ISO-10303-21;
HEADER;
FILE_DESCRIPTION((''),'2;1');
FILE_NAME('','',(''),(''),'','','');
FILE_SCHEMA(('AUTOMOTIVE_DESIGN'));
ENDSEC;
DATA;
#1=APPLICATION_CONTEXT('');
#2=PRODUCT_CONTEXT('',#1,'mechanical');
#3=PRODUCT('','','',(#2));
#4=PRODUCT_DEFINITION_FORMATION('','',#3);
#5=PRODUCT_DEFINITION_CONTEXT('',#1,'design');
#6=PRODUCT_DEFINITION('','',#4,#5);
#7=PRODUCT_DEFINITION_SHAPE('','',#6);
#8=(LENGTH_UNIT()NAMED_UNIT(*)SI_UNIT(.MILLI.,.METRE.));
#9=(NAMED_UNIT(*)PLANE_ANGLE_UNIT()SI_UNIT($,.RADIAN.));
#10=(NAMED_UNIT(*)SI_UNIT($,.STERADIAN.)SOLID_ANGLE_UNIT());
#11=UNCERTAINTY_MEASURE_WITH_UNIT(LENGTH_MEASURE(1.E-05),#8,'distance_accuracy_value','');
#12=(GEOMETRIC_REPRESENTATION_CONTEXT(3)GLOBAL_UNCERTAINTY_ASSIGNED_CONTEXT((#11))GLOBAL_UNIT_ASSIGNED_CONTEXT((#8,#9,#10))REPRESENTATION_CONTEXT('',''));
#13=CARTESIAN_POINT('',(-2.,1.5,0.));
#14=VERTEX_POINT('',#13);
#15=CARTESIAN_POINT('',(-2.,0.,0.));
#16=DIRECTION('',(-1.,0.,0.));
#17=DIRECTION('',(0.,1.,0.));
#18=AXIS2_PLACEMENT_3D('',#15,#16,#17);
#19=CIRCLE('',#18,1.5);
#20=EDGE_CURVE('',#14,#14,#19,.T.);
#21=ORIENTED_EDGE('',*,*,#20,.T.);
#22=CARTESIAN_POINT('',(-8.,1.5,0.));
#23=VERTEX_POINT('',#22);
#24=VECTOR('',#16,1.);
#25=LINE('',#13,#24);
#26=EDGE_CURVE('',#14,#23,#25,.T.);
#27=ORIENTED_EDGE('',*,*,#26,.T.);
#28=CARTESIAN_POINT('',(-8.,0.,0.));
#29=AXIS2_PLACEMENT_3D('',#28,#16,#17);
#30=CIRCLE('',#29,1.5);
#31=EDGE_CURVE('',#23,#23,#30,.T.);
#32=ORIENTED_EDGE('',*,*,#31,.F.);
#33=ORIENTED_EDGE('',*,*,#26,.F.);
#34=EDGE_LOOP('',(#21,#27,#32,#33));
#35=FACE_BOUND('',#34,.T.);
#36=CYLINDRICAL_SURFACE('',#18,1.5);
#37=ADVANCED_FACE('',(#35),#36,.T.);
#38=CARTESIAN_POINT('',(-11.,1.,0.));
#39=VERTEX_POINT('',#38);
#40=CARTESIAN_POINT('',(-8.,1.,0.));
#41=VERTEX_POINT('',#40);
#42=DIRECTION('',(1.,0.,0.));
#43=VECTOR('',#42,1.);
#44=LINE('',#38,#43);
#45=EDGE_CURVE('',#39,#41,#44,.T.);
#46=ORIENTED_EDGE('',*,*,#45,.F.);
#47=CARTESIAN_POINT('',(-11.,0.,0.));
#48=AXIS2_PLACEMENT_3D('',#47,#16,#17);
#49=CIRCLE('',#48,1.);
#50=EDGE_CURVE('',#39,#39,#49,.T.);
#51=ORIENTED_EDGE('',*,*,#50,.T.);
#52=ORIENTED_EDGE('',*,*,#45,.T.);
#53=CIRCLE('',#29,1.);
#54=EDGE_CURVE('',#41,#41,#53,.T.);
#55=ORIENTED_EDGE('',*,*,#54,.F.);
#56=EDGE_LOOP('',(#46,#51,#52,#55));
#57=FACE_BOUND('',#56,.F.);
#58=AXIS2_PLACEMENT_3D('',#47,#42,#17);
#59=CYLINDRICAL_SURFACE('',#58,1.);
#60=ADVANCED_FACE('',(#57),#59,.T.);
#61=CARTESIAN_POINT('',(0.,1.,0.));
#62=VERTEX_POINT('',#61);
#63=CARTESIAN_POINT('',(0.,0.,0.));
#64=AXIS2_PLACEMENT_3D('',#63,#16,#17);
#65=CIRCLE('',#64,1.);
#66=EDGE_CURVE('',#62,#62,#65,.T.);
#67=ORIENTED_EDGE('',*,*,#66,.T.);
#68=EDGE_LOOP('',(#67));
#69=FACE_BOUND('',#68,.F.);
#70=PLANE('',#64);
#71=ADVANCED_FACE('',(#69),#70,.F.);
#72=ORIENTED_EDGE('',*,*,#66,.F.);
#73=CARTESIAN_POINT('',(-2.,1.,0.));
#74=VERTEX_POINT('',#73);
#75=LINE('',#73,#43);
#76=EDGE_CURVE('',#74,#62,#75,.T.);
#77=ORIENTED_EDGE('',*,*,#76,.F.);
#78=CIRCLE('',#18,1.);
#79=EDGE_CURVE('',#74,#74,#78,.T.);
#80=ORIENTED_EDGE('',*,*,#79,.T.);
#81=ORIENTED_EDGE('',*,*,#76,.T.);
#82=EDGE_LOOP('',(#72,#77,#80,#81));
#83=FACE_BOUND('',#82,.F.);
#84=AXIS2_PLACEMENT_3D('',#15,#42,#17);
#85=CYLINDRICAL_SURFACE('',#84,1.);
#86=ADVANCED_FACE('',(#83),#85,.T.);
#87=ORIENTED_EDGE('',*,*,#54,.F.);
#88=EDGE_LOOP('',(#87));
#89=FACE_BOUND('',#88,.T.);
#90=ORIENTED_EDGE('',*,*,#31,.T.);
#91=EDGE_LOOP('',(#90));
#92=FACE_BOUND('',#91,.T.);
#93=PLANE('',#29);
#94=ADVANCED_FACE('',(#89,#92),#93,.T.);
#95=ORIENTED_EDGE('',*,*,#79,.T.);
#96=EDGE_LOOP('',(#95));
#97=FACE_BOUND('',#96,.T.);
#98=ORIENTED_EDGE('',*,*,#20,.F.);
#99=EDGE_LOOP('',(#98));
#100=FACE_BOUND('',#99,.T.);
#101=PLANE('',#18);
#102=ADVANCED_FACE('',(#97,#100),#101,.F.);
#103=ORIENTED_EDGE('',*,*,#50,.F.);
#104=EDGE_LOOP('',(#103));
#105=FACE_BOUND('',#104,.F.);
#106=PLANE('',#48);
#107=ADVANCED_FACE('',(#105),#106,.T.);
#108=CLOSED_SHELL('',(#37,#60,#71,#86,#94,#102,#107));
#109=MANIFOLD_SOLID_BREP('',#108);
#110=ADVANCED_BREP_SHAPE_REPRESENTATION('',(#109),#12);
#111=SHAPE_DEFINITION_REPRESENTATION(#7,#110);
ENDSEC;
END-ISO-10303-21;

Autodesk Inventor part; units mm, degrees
ref_plane "YZ Plane" through (0, 0, 0) normal (1, 0, 0) x (0, 1, 0)
ref_plane "XZ Plane" through (0, 0, 0) normal (0, 1, 0) x (-1, 0, 0)
ref_plane "XY Plane" through (0, 0, 0) normal (0, 0, 1) x (1, 0, 0)
sketch "Boceto1" plane through (0, 0, 0) normal (0, 0, 1) x (1, 0, 0)
  line L0 (0, 0) -> (-11, 0)
  line L1 (0, 0) -> (-11, 0)
  line L2 (-11, 0) -> (-11, 1)
  line L3 (0, 1) -> (0, 0)
  line L4 (-8, 0) -> (-2, 0)
  line L5 (-2, 0) -> (-2, 1.5)
  line L6 (-2, 1.5) -> (-8, 1.5)
  line L7 (-8, 1.5) -> (-8, 0)
  line L8 (-11, 1) -> (-8, 1)
  line L9 (-2, 1) -> (0, 1)
  dimension "d1" = 2
  dimension "d2" = 2
  dimension "d3" = 3
  dimension "d4" = 3
  dimension "d5" = 2
  dimension "d6" = 6
  dimension "d7" = 11
revolve "Revolución1" add sketch "Boceto1" angle 360 about axis through (0, 0, 0) along (-1, 0, 0)
thread "Rosca1" size "M2x0.4" class "6g" standard "ANSI Metric M Profile" length 7
thread "Rosca2" size "M2x0.4" class "6g" standard "ANSI Metric M Profile" length 7
properties part number "Hudson 1-64"
